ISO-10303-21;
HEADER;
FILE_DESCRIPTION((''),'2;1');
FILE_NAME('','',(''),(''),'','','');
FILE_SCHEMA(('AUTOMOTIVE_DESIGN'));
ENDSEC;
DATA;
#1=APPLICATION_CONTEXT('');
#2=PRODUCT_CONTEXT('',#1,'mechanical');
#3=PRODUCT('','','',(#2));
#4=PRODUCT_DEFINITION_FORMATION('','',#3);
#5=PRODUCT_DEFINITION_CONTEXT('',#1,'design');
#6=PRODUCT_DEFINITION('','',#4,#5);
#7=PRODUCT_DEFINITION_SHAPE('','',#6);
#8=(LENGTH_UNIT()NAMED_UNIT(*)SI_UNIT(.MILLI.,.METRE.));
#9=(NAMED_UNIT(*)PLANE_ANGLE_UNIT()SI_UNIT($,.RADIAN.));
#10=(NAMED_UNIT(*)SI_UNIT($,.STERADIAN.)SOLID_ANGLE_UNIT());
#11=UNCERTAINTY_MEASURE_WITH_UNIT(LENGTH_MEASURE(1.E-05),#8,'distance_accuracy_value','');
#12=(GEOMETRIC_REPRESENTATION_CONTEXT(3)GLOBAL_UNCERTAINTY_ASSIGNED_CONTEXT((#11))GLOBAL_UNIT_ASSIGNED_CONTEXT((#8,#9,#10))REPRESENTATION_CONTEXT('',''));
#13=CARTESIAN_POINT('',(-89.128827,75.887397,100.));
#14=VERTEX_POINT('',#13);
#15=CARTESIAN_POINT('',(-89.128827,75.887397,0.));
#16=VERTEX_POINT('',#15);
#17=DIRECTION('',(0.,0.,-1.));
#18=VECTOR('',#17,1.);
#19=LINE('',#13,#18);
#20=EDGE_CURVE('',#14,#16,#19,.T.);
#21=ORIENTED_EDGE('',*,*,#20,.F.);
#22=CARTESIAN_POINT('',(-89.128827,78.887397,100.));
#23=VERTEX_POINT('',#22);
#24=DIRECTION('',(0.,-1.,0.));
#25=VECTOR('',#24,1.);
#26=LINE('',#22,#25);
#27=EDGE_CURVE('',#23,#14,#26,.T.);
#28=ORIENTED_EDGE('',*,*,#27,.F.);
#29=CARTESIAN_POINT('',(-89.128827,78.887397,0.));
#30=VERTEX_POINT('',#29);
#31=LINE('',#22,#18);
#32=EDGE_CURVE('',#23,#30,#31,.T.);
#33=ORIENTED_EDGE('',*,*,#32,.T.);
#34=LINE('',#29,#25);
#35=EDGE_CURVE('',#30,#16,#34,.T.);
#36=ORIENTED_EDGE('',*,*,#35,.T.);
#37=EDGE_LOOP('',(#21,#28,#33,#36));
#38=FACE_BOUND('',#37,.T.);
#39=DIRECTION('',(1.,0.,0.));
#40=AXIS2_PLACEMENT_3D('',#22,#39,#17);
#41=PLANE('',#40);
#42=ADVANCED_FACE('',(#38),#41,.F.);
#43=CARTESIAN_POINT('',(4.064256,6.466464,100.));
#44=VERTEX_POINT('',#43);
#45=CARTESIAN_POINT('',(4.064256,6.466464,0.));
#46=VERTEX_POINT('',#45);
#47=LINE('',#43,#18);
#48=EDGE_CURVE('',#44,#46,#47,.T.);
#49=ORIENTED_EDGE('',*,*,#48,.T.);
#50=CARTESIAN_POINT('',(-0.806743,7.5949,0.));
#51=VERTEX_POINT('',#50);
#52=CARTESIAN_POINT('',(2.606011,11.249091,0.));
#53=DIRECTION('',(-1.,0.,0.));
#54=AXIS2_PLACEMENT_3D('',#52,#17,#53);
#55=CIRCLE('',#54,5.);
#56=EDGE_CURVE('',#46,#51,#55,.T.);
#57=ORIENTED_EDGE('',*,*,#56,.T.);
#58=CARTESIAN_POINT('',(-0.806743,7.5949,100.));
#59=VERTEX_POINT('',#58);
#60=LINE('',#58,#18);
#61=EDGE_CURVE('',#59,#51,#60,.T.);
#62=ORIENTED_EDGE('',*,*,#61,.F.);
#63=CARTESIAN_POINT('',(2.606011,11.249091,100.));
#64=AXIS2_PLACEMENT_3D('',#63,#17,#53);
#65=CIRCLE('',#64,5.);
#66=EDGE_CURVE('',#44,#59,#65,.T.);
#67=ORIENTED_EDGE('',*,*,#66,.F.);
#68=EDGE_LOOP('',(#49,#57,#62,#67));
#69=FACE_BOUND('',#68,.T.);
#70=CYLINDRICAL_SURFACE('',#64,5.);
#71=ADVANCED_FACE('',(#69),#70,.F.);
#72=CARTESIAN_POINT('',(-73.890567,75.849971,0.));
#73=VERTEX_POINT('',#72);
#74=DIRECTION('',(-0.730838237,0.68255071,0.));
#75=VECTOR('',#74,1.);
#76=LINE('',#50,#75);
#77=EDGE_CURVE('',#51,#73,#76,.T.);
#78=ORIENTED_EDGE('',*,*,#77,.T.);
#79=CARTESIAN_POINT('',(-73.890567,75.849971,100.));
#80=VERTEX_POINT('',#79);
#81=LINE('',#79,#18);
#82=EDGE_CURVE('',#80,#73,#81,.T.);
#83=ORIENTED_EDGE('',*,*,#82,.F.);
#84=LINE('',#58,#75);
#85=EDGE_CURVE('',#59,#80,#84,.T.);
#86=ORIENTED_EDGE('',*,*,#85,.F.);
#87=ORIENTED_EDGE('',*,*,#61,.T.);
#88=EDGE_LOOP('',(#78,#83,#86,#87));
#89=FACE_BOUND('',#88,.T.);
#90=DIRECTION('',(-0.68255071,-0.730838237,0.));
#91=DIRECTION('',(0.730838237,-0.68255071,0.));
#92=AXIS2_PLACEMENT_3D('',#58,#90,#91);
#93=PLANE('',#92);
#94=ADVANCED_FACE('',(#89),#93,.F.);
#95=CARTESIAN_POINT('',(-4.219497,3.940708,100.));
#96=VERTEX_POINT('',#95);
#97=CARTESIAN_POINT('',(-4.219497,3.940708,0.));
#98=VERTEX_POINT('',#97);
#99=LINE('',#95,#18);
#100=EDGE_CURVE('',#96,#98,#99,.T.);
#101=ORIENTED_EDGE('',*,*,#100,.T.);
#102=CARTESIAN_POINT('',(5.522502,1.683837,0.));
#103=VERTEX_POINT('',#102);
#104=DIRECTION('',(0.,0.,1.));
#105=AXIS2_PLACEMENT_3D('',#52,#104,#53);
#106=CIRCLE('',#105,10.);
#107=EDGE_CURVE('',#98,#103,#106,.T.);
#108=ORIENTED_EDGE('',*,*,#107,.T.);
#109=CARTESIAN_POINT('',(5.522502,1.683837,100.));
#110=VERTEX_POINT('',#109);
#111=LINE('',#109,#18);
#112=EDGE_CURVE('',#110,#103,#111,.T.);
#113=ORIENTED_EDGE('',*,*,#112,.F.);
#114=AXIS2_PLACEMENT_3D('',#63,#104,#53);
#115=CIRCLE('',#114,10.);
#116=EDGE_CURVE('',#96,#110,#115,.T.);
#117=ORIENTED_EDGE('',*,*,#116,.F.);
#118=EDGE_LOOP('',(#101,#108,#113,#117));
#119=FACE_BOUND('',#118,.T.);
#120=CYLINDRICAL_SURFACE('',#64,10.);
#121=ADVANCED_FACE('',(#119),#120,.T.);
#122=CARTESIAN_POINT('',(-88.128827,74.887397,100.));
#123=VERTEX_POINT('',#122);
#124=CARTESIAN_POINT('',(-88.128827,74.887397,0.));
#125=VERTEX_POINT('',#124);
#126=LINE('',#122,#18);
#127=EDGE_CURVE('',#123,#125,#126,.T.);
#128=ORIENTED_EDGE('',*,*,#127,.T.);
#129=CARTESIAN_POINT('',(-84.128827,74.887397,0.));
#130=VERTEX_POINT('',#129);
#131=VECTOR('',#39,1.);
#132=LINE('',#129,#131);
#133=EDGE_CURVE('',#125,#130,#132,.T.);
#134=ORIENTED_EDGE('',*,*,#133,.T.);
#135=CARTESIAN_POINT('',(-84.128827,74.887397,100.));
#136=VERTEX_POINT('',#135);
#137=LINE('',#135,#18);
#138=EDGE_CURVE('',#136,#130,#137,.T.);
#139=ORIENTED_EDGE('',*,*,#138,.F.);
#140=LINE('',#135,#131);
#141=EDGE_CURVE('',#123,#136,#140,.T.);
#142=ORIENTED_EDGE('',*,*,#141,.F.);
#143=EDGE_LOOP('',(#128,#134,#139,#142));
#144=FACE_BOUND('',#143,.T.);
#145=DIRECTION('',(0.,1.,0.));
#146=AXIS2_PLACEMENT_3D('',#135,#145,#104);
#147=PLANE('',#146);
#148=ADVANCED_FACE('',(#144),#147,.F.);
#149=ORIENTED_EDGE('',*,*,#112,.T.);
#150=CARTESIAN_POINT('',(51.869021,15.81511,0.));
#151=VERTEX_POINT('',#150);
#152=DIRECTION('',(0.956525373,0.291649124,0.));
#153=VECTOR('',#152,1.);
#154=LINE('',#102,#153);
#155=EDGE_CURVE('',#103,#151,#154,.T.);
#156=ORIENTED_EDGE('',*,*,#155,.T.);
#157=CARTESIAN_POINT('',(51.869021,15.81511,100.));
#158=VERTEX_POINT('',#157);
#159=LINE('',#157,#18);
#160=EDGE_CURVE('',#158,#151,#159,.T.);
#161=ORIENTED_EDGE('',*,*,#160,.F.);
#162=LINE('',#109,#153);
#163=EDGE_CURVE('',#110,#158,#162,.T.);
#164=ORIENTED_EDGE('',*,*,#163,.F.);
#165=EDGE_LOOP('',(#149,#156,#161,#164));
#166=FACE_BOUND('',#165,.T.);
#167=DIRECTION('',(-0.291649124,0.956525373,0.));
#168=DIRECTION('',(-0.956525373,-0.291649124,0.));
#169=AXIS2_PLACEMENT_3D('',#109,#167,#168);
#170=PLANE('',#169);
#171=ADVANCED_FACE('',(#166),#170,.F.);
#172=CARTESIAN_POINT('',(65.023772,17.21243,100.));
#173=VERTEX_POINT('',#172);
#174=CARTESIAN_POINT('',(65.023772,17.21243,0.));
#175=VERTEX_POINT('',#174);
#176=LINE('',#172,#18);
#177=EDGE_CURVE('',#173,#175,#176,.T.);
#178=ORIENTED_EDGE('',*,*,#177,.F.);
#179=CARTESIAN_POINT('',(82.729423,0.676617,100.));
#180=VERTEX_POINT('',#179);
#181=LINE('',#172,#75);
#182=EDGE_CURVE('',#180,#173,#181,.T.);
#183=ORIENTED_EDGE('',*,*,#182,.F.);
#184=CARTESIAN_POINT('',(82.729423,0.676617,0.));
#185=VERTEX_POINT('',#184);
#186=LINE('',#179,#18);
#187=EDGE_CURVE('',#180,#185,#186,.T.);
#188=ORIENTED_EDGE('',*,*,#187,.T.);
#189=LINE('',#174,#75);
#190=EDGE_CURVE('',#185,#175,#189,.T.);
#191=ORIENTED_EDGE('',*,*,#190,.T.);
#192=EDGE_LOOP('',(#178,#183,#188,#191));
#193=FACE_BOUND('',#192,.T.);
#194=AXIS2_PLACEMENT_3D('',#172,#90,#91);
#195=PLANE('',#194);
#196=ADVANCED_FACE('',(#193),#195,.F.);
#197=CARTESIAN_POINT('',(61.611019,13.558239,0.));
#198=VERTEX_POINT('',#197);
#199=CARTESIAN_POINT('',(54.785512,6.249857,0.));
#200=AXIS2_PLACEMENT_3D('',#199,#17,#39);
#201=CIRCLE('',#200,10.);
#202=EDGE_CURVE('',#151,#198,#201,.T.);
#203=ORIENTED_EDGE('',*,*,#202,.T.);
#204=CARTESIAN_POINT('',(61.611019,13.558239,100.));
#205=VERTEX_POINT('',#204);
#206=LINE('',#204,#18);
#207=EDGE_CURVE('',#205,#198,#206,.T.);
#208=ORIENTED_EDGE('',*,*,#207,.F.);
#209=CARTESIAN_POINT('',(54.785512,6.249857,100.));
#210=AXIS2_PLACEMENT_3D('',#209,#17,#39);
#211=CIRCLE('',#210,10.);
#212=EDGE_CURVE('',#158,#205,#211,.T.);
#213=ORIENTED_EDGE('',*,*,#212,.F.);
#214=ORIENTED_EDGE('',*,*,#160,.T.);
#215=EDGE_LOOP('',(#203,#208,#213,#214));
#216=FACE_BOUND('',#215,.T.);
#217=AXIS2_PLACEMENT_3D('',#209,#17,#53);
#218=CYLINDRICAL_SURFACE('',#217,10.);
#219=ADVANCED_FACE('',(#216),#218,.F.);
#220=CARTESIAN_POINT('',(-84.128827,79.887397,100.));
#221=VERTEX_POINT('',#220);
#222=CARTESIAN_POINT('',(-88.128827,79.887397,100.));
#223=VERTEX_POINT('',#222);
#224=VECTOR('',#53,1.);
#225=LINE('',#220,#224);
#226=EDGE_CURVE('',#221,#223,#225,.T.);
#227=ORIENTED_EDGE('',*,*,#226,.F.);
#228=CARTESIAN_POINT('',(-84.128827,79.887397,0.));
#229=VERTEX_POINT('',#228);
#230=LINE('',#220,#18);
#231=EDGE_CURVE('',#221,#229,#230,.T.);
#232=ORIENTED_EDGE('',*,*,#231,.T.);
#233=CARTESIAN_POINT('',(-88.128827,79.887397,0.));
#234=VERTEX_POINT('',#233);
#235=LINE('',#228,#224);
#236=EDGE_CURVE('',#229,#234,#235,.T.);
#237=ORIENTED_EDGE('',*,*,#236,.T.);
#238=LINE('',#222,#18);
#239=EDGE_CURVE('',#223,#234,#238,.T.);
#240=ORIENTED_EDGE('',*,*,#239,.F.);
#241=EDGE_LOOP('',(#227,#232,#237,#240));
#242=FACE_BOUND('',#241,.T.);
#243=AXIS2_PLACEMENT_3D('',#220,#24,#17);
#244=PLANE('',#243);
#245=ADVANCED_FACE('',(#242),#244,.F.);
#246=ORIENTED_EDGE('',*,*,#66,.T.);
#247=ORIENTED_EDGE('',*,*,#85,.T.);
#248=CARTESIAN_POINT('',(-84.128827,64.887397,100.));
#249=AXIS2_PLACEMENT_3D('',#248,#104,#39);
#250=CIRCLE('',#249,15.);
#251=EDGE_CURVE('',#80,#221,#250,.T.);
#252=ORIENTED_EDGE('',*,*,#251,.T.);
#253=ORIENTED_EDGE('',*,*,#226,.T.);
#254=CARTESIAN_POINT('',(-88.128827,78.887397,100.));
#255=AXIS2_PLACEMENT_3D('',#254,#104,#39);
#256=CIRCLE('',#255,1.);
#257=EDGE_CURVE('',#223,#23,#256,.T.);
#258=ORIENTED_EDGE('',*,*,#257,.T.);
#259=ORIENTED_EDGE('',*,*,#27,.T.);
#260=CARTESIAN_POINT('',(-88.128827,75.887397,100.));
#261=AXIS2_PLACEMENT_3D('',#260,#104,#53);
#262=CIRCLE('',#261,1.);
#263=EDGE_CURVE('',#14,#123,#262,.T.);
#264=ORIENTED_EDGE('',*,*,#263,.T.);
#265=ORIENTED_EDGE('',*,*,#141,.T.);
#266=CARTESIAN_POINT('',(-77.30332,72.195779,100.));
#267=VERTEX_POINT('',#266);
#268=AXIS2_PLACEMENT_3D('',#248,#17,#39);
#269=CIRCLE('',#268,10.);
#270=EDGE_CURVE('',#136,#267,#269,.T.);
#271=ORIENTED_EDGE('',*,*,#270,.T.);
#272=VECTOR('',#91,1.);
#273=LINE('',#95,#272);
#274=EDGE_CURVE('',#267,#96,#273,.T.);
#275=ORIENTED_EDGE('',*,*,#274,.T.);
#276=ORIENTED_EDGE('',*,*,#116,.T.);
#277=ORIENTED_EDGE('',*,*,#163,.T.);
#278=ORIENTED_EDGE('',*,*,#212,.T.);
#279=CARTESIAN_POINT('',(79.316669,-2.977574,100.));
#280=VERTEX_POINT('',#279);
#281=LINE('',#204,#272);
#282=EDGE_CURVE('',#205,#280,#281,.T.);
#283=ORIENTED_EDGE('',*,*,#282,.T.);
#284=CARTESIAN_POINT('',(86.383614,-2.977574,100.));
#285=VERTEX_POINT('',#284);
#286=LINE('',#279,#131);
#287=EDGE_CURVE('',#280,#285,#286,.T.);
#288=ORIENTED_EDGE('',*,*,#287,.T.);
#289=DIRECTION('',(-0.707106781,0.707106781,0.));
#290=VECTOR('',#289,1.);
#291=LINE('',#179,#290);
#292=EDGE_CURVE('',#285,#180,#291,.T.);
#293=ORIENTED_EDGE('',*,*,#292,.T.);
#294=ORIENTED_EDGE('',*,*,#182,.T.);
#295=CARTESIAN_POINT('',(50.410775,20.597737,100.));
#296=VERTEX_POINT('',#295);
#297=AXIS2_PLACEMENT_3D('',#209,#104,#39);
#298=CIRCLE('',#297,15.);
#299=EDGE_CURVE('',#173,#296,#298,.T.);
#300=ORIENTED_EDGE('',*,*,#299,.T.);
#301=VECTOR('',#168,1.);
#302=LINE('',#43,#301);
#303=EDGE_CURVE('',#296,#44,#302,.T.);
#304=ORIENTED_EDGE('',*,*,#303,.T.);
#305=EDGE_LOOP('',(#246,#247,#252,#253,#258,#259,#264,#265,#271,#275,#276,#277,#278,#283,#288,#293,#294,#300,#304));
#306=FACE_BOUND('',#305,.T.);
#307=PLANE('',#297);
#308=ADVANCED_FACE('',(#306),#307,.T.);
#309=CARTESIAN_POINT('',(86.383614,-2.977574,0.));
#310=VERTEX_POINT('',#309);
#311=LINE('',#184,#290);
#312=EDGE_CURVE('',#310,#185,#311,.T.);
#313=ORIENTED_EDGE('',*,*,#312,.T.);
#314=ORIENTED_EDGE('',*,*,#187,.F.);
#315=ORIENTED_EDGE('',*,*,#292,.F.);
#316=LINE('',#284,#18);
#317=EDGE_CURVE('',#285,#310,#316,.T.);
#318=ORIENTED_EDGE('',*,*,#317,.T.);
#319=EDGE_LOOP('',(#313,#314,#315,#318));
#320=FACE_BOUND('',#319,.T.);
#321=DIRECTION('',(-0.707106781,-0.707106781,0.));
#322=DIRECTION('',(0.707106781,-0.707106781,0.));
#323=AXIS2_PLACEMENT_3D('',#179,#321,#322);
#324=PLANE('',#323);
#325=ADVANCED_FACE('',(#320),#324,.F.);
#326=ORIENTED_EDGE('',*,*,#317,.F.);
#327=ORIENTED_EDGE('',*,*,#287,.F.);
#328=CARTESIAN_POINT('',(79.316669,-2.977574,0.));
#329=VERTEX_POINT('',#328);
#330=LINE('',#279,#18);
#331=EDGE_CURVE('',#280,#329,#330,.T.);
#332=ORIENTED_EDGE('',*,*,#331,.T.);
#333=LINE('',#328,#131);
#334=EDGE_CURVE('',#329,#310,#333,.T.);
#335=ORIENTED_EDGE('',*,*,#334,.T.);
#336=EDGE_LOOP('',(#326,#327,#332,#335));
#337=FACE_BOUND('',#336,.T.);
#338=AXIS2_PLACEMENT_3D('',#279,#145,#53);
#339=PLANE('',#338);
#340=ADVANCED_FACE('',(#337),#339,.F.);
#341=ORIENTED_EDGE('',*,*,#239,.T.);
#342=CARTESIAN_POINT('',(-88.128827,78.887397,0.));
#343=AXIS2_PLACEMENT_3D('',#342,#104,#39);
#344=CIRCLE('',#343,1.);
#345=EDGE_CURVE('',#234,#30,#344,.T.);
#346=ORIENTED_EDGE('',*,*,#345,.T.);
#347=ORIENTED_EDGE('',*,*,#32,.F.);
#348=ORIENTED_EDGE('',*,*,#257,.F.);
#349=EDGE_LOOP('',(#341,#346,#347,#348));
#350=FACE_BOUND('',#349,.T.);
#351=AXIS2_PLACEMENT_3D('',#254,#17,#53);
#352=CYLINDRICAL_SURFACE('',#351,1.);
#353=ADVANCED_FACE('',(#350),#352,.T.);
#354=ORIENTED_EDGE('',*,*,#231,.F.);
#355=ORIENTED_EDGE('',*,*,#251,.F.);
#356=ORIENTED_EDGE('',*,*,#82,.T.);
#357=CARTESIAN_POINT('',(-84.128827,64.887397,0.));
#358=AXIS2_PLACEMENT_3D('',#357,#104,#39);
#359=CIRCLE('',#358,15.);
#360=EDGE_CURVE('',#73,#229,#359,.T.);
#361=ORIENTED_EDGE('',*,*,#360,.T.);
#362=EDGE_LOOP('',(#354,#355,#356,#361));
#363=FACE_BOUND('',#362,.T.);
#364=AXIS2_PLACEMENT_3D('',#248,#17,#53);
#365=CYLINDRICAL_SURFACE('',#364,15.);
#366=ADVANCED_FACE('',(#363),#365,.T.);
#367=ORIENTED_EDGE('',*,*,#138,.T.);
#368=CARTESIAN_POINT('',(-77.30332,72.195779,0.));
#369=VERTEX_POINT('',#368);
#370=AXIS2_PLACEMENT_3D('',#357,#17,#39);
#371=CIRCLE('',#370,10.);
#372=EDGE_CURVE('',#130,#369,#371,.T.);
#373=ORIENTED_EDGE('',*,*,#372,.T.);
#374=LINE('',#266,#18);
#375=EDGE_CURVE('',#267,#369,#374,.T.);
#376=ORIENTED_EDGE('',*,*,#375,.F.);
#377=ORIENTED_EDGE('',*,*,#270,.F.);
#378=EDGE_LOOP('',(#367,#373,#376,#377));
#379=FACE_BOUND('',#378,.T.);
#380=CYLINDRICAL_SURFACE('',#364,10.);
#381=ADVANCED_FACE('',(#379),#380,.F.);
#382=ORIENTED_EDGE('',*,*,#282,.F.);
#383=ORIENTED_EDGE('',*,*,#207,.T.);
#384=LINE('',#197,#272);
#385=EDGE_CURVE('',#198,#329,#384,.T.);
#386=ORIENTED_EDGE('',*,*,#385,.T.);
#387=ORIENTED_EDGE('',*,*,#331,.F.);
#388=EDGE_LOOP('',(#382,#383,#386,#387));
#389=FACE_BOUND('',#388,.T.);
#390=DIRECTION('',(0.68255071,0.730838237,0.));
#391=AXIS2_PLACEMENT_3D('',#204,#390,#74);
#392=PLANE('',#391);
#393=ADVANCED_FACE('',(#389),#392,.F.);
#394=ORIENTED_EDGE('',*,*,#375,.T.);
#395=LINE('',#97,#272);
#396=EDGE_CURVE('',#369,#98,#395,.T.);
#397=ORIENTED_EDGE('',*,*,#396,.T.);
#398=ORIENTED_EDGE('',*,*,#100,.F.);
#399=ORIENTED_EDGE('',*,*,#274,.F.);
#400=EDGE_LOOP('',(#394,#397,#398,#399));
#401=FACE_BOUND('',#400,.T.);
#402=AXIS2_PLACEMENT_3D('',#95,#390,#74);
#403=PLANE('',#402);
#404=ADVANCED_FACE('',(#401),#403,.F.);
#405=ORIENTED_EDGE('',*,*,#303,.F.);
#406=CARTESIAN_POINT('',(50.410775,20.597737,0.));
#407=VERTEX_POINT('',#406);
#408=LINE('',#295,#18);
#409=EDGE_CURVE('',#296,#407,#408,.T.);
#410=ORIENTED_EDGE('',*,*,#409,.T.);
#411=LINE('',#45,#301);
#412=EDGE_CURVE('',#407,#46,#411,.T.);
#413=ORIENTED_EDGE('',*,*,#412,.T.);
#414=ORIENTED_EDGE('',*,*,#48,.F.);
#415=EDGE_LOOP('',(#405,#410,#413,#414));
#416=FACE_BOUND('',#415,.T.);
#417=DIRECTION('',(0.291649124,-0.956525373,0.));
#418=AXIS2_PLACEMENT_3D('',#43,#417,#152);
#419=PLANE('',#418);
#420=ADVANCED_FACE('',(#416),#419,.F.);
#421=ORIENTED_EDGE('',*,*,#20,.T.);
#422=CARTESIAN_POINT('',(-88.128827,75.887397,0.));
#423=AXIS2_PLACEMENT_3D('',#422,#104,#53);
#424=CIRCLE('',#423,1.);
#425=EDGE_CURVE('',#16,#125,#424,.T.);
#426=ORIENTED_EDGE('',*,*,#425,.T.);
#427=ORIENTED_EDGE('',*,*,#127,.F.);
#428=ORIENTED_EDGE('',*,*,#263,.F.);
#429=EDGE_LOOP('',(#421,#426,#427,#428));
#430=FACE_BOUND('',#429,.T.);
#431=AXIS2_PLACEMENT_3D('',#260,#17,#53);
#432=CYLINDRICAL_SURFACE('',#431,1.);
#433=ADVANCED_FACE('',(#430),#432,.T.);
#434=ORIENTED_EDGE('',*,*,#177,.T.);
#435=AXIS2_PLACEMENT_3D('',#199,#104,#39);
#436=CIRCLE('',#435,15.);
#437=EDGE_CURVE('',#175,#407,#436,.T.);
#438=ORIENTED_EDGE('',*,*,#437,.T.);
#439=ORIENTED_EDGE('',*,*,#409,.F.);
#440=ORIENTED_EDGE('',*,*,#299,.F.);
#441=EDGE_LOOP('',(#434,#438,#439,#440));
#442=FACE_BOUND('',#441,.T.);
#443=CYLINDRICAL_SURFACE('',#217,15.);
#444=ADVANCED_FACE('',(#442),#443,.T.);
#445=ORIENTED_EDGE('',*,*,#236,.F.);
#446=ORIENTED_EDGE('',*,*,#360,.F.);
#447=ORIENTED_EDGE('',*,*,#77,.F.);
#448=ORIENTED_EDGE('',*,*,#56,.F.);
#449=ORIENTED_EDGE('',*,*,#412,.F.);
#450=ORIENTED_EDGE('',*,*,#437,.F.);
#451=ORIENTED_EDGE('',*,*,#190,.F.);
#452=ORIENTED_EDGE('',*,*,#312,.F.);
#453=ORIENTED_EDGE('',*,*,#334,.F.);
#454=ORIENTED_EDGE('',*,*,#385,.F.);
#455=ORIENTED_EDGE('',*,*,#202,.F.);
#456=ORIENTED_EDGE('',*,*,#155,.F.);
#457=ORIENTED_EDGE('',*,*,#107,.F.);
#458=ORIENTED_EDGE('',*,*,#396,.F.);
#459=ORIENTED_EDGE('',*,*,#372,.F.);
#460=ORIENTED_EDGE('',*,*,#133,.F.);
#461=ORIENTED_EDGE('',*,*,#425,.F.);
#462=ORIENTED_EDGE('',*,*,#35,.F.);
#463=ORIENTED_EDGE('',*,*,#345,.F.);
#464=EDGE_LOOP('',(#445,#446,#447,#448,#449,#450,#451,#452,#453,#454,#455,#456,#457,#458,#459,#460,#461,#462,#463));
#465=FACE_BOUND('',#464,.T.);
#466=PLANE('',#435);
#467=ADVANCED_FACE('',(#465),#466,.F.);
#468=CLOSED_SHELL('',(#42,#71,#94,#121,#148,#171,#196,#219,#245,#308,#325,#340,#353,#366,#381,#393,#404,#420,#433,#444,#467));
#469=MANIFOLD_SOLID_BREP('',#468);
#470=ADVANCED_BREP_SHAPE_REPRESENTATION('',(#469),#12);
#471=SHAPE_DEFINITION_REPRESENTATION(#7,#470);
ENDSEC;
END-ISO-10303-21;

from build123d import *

# Parameters (mm, degrees)
EXTRUDE_1_DEPTH = 100


with BuildPart() as part:
    # 草图1 → 凸台-拉伸1 (new body)
    with BuildSketch(Plane.XY):
        with BuildLine():
            Line((-4.219496526, 3.940708363), (-77.303320181, 72.195779383))
            ThreePointArc((-77.303320181, 72.195779383), (-80.46030058, 74.190187557), (-84.128827283, 74.887397018))
            Line((-84.128827283, 74.887397018), (-88.128827283, 74.887397018))
            ThreePointArc((-88.128827283, 74.887397018), (-88.835934064, 75.180290236), (-89.128827283, 75.887397018))
            Line((-89.128827283, 75.887397018), (-89.128827283, 78.887397018))
            ThreePointArc((-89.128827283, 78.887397018), (-88.835934064, 79.594503799), (-88.128827283, 79.887397018))
            Line((-88.128827283, 79.887397018), (-84.128827283, 79.887397018))
            ThreePointArc((-84.128827283, 79.887397018), (-78.626037228, 78.841582827), (-73.89056663, 75.849970566))
            Line((-73.89056663, 75.849970566), (-0.806742975, 7.594899545))
            ThreePointArc((-0.806742975, 7.594899545), (1.477574895, 6.378091558), (4.064256195, 6.466463865))
            Line((4.064256195, 6.466463865), (50.410774928, 20.59773729))
            ThreePointArc((50.410774928, 20.59773729), (58.170818827, 20.86285421), (65.023772438, 17.212430248))
            Line((65.023772438, 17.212430248), (82.729423008, 0.676617305))
            Line((82.729423008, 0.676617305), (86.383614191, -2.977573878))
            Line((86.383614191, -2.977573878), (79.316669457, -2.977573878))
            Line((79.316669457, -2.977573878), (61.611018887, 13.558239066))
            ThreePointArc((61.611018887, 13.558239066), (57.042383146, 15.99185504), (51.869020547, 15.815110427))
            Line((51.869020547, 15.815110427), (5.522501814, 1.683837001))
            ThreePointArc((5.522501814, 1.683837001), (0.349139215, 1.507092388), (-4.219496526, 3.940708363))
        make_face()
    extrude(amount=EXTRUDE_1_DEPTH)


solid = part.part
